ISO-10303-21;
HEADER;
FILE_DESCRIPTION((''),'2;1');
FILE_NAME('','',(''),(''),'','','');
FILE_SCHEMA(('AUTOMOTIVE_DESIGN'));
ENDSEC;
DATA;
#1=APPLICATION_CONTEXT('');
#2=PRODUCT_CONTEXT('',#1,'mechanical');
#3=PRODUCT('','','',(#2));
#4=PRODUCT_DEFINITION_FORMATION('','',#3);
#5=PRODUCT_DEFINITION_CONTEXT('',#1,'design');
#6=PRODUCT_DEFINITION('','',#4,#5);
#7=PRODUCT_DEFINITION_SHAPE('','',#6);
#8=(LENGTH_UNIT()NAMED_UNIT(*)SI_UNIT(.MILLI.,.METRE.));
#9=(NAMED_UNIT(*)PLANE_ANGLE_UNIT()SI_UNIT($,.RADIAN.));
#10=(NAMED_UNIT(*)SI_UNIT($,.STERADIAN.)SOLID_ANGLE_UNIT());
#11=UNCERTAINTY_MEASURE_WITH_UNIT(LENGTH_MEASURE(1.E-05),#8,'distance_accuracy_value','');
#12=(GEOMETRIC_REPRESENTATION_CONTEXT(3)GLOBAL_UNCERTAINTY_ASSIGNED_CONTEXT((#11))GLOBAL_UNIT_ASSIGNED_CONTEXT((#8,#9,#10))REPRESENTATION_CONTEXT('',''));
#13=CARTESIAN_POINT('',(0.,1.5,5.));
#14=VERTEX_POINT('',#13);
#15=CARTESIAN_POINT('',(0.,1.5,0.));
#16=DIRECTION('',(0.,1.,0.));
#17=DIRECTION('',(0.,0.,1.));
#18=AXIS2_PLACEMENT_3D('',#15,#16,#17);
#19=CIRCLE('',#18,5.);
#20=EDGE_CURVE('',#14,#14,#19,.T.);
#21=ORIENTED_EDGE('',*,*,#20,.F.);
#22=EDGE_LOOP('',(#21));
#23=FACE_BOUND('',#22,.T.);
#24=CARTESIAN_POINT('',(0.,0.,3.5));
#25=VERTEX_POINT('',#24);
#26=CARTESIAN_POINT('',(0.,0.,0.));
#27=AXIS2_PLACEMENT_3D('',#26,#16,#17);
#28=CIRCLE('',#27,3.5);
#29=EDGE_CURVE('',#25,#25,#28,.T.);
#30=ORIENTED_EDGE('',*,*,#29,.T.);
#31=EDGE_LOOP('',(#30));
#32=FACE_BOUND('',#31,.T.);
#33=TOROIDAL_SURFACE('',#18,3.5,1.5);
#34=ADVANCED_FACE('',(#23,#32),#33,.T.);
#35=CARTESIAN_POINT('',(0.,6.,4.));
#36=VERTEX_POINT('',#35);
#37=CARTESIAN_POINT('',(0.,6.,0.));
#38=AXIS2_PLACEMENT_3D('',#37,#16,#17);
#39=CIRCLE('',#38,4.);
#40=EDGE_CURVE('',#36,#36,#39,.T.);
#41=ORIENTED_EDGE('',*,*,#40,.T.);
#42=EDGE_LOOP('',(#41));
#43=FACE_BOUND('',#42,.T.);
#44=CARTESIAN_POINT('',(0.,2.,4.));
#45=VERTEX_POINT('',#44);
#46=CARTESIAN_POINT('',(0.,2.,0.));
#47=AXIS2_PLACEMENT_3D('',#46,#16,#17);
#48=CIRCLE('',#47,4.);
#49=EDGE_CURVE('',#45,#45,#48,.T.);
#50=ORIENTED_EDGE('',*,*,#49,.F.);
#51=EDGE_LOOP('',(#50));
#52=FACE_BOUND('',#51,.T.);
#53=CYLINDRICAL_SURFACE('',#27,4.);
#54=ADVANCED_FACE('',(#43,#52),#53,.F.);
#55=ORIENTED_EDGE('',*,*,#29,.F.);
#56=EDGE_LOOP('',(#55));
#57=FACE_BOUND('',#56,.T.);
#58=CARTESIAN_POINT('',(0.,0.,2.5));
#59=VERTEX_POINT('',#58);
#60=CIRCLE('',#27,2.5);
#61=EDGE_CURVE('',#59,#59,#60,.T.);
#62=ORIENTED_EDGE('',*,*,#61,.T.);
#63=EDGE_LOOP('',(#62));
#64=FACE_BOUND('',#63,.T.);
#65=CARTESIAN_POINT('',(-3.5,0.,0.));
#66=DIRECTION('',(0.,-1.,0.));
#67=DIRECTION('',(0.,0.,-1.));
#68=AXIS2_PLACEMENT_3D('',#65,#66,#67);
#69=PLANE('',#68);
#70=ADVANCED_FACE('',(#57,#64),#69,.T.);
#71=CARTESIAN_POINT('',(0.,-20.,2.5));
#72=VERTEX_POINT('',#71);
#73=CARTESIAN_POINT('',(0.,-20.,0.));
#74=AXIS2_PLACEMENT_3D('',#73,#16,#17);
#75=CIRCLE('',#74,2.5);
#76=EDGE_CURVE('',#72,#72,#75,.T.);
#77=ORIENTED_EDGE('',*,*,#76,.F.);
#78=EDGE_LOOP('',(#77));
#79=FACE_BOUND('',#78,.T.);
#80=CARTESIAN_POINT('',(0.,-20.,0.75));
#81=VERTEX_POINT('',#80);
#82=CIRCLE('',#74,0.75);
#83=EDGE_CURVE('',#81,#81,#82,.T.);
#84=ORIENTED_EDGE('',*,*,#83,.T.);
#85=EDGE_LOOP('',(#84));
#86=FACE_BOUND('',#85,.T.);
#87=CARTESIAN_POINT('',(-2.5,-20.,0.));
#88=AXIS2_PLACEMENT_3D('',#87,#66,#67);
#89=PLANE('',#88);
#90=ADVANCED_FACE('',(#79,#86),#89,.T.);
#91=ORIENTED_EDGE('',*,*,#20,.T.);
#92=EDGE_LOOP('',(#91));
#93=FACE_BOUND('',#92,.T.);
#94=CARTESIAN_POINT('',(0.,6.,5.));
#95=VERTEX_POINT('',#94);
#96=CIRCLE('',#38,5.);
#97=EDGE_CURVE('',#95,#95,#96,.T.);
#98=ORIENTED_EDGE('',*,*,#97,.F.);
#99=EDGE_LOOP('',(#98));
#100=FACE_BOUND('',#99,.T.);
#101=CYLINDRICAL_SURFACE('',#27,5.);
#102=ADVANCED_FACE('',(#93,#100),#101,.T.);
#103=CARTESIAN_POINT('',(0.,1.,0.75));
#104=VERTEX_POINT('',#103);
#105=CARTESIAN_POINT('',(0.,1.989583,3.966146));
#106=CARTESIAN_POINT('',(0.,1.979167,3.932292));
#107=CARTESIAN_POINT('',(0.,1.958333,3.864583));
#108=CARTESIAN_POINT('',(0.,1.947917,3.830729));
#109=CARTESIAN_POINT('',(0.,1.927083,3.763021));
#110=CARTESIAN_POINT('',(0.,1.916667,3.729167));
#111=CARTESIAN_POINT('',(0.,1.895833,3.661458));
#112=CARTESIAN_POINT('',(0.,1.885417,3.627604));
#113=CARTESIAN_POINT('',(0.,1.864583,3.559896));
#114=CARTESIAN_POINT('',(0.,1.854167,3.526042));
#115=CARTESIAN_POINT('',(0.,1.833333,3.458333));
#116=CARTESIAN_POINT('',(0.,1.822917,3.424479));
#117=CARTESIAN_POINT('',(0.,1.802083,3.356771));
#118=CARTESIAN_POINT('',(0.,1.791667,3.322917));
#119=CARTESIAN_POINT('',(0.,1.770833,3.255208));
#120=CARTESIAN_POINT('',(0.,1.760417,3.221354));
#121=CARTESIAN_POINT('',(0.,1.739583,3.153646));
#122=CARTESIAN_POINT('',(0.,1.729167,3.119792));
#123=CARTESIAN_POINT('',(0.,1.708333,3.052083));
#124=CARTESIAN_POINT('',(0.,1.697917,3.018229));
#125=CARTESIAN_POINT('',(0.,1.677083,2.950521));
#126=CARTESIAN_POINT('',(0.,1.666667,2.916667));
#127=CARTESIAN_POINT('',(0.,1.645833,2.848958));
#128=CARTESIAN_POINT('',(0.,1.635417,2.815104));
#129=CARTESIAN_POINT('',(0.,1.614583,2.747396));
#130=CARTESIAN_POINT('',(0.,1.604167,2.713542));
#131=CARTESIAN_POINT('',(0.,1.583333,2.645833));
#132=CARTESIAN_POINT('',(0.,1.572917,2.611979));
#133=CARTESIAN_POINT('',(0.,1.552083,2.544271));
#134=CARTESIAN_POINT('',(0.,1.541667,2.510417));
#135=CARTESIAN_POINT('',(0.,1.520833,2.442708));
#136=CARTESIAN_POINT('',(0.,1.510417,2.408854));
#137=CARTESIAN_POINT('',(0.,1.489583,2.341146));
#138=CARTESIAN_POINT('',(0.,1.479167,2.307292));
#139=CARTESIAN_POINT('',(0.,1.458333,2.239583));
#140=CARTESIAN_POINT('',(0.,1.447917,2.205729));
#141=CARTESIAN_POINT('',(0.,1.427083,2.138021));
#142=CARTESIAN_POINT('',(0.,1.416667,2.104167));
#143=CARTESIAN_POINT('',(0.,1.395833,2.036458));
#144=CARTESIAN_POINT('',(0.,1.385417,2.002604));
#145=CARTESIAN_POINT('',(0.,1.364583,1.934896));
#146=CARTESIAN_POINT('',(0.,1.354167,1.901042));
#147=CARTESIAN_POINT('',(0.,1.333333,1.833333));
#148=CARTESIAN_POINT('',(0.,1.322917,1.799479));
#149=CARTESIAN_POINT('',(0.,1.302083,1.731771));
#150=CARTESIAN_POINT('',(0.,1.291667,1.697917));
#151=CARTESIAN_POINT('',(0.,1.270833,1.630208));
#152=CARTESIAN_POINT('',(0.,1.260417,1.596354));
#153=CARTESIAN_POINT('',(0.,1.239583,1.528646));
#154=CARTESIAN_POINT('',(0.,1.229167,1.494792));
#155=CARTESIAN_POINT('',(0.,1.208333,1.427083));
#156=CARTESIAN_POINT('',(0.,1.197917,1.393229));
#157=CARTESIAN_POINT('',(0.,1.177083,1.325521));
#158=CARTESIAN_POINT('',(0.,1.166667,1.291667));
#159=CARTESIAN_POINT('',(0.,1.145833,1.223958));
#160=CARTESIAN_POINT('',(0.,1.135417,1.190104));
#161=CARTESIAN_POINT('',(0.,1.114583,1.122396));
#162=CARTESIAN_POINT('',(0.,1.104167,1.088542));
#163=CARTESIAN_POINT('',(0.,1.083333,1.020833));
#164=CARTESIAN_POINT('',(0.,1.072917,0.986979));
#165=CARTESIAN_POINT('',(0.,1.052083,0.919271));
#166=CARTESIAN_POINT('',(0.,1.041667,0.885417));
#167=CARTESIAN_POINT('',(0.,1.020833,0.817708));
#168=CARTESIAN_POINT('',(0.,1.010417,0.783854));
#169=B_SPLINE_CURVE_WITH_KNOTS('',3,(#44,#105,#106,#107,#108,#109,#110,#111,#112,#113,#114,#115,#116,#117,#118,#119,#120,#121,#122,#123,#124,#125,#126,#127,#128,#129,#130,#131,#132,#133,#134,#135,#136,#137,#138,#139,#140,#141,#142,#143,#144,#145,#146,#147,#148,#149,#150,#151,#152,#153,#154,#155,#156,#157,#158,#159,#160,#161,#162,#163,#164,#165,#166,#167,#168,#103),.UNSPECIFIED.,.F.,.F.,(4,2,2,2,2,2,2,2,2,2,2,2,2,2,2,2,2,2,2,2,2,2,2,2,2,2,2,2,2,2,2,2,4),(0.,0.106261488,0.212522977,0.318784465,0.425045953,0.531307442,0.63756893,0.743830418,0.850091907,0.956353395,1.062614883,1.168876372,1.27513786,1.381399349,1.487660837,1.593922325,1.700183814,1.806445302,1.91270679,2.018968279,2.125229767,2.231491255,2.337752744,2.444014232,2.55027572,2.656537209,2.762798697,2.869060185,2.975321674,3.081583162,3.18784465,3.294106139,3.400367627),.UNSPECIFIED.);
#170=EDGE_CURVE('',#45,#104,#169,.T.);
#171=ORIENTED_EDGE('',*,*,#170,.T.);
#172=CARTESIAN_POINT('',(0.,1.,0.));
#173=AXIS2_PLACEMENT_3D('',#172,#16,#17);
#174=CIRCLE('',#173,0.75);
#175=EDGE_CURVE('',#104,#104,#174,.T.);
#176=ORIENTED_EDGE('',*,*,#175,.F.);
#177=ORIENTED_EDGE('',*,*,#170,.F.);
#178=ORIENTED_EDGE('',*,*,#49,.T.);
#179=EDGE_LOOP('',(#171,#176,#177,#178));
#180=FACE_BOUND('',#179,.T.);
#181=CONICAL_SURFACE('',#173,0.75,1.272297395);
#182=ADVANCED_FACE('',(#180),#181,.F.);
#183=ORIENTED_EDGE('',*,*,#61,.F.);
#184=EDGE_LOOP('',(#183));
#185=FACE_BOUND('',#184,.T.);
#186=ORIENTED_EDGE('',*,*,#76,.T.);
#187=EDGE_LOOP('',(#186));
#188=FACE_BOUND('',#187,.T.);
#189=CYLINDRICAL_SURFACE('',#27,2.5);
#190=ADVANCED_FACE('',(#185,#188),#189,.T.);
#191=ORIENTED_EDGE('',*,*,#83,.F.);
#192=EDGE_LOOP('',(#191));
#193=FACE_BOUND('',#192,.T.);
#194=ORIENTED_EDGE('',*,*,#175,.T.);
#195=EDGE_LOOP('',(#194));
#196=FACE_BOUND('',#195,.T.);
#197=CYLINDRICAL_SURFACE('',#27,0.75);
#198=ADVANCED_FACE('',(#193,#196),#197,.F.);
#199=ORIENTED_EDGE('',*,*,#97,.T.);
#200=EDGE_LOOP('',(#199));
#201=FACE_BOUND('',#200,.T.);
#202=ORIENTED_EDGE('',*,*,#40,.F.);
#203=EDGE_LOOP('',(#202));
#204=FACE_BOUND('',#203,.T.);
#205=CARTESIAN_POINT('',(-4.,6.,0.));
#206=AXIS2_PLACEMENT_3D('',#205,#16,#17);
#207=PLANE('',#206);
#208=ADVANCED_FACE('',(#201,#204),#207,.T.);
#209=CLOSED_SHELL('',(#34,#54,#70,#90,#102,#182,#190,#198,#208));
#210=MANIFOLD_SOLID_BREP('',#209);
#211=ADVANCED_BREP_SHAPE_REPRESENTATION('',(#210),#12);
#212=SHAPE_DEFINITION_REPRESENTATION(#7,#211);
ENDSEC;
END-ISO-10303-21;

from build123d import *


with BuildPart() as part:
    # Sketch1 → Revolve1 (revolve)
    with BuildSketch(Plane.XY, mode=Mode.PRIVATE) as revolve1_sk:
        with BuildLine():
            Line((-3.5, 0), (-2.5, 0))
            Line((-2.5, 0), (-2.5, -20))
            Line((-2.5, -20), (-0.75, -20))
            Line((-0.75, -20), (-0.75, 1))
            Line((-0.75, 1), (-4, 2))
            Line((-4, 2), (-4, 6))
            Line((-4, 6), (-5, 6))
            Line((-5, 6), (-5, 1.5))
            ThreePointArc((-5, 1.5), (-4.560660172, 0.439339828), (-3.5, 0))
        make_face()
    revolve(revolve1_sk.sketch.rotate(Axis((0, 0, 0), (0, -1, 0)), 270), axis=Axis((0, 0, 0), (0, -1, 0)))


solid = part.part
